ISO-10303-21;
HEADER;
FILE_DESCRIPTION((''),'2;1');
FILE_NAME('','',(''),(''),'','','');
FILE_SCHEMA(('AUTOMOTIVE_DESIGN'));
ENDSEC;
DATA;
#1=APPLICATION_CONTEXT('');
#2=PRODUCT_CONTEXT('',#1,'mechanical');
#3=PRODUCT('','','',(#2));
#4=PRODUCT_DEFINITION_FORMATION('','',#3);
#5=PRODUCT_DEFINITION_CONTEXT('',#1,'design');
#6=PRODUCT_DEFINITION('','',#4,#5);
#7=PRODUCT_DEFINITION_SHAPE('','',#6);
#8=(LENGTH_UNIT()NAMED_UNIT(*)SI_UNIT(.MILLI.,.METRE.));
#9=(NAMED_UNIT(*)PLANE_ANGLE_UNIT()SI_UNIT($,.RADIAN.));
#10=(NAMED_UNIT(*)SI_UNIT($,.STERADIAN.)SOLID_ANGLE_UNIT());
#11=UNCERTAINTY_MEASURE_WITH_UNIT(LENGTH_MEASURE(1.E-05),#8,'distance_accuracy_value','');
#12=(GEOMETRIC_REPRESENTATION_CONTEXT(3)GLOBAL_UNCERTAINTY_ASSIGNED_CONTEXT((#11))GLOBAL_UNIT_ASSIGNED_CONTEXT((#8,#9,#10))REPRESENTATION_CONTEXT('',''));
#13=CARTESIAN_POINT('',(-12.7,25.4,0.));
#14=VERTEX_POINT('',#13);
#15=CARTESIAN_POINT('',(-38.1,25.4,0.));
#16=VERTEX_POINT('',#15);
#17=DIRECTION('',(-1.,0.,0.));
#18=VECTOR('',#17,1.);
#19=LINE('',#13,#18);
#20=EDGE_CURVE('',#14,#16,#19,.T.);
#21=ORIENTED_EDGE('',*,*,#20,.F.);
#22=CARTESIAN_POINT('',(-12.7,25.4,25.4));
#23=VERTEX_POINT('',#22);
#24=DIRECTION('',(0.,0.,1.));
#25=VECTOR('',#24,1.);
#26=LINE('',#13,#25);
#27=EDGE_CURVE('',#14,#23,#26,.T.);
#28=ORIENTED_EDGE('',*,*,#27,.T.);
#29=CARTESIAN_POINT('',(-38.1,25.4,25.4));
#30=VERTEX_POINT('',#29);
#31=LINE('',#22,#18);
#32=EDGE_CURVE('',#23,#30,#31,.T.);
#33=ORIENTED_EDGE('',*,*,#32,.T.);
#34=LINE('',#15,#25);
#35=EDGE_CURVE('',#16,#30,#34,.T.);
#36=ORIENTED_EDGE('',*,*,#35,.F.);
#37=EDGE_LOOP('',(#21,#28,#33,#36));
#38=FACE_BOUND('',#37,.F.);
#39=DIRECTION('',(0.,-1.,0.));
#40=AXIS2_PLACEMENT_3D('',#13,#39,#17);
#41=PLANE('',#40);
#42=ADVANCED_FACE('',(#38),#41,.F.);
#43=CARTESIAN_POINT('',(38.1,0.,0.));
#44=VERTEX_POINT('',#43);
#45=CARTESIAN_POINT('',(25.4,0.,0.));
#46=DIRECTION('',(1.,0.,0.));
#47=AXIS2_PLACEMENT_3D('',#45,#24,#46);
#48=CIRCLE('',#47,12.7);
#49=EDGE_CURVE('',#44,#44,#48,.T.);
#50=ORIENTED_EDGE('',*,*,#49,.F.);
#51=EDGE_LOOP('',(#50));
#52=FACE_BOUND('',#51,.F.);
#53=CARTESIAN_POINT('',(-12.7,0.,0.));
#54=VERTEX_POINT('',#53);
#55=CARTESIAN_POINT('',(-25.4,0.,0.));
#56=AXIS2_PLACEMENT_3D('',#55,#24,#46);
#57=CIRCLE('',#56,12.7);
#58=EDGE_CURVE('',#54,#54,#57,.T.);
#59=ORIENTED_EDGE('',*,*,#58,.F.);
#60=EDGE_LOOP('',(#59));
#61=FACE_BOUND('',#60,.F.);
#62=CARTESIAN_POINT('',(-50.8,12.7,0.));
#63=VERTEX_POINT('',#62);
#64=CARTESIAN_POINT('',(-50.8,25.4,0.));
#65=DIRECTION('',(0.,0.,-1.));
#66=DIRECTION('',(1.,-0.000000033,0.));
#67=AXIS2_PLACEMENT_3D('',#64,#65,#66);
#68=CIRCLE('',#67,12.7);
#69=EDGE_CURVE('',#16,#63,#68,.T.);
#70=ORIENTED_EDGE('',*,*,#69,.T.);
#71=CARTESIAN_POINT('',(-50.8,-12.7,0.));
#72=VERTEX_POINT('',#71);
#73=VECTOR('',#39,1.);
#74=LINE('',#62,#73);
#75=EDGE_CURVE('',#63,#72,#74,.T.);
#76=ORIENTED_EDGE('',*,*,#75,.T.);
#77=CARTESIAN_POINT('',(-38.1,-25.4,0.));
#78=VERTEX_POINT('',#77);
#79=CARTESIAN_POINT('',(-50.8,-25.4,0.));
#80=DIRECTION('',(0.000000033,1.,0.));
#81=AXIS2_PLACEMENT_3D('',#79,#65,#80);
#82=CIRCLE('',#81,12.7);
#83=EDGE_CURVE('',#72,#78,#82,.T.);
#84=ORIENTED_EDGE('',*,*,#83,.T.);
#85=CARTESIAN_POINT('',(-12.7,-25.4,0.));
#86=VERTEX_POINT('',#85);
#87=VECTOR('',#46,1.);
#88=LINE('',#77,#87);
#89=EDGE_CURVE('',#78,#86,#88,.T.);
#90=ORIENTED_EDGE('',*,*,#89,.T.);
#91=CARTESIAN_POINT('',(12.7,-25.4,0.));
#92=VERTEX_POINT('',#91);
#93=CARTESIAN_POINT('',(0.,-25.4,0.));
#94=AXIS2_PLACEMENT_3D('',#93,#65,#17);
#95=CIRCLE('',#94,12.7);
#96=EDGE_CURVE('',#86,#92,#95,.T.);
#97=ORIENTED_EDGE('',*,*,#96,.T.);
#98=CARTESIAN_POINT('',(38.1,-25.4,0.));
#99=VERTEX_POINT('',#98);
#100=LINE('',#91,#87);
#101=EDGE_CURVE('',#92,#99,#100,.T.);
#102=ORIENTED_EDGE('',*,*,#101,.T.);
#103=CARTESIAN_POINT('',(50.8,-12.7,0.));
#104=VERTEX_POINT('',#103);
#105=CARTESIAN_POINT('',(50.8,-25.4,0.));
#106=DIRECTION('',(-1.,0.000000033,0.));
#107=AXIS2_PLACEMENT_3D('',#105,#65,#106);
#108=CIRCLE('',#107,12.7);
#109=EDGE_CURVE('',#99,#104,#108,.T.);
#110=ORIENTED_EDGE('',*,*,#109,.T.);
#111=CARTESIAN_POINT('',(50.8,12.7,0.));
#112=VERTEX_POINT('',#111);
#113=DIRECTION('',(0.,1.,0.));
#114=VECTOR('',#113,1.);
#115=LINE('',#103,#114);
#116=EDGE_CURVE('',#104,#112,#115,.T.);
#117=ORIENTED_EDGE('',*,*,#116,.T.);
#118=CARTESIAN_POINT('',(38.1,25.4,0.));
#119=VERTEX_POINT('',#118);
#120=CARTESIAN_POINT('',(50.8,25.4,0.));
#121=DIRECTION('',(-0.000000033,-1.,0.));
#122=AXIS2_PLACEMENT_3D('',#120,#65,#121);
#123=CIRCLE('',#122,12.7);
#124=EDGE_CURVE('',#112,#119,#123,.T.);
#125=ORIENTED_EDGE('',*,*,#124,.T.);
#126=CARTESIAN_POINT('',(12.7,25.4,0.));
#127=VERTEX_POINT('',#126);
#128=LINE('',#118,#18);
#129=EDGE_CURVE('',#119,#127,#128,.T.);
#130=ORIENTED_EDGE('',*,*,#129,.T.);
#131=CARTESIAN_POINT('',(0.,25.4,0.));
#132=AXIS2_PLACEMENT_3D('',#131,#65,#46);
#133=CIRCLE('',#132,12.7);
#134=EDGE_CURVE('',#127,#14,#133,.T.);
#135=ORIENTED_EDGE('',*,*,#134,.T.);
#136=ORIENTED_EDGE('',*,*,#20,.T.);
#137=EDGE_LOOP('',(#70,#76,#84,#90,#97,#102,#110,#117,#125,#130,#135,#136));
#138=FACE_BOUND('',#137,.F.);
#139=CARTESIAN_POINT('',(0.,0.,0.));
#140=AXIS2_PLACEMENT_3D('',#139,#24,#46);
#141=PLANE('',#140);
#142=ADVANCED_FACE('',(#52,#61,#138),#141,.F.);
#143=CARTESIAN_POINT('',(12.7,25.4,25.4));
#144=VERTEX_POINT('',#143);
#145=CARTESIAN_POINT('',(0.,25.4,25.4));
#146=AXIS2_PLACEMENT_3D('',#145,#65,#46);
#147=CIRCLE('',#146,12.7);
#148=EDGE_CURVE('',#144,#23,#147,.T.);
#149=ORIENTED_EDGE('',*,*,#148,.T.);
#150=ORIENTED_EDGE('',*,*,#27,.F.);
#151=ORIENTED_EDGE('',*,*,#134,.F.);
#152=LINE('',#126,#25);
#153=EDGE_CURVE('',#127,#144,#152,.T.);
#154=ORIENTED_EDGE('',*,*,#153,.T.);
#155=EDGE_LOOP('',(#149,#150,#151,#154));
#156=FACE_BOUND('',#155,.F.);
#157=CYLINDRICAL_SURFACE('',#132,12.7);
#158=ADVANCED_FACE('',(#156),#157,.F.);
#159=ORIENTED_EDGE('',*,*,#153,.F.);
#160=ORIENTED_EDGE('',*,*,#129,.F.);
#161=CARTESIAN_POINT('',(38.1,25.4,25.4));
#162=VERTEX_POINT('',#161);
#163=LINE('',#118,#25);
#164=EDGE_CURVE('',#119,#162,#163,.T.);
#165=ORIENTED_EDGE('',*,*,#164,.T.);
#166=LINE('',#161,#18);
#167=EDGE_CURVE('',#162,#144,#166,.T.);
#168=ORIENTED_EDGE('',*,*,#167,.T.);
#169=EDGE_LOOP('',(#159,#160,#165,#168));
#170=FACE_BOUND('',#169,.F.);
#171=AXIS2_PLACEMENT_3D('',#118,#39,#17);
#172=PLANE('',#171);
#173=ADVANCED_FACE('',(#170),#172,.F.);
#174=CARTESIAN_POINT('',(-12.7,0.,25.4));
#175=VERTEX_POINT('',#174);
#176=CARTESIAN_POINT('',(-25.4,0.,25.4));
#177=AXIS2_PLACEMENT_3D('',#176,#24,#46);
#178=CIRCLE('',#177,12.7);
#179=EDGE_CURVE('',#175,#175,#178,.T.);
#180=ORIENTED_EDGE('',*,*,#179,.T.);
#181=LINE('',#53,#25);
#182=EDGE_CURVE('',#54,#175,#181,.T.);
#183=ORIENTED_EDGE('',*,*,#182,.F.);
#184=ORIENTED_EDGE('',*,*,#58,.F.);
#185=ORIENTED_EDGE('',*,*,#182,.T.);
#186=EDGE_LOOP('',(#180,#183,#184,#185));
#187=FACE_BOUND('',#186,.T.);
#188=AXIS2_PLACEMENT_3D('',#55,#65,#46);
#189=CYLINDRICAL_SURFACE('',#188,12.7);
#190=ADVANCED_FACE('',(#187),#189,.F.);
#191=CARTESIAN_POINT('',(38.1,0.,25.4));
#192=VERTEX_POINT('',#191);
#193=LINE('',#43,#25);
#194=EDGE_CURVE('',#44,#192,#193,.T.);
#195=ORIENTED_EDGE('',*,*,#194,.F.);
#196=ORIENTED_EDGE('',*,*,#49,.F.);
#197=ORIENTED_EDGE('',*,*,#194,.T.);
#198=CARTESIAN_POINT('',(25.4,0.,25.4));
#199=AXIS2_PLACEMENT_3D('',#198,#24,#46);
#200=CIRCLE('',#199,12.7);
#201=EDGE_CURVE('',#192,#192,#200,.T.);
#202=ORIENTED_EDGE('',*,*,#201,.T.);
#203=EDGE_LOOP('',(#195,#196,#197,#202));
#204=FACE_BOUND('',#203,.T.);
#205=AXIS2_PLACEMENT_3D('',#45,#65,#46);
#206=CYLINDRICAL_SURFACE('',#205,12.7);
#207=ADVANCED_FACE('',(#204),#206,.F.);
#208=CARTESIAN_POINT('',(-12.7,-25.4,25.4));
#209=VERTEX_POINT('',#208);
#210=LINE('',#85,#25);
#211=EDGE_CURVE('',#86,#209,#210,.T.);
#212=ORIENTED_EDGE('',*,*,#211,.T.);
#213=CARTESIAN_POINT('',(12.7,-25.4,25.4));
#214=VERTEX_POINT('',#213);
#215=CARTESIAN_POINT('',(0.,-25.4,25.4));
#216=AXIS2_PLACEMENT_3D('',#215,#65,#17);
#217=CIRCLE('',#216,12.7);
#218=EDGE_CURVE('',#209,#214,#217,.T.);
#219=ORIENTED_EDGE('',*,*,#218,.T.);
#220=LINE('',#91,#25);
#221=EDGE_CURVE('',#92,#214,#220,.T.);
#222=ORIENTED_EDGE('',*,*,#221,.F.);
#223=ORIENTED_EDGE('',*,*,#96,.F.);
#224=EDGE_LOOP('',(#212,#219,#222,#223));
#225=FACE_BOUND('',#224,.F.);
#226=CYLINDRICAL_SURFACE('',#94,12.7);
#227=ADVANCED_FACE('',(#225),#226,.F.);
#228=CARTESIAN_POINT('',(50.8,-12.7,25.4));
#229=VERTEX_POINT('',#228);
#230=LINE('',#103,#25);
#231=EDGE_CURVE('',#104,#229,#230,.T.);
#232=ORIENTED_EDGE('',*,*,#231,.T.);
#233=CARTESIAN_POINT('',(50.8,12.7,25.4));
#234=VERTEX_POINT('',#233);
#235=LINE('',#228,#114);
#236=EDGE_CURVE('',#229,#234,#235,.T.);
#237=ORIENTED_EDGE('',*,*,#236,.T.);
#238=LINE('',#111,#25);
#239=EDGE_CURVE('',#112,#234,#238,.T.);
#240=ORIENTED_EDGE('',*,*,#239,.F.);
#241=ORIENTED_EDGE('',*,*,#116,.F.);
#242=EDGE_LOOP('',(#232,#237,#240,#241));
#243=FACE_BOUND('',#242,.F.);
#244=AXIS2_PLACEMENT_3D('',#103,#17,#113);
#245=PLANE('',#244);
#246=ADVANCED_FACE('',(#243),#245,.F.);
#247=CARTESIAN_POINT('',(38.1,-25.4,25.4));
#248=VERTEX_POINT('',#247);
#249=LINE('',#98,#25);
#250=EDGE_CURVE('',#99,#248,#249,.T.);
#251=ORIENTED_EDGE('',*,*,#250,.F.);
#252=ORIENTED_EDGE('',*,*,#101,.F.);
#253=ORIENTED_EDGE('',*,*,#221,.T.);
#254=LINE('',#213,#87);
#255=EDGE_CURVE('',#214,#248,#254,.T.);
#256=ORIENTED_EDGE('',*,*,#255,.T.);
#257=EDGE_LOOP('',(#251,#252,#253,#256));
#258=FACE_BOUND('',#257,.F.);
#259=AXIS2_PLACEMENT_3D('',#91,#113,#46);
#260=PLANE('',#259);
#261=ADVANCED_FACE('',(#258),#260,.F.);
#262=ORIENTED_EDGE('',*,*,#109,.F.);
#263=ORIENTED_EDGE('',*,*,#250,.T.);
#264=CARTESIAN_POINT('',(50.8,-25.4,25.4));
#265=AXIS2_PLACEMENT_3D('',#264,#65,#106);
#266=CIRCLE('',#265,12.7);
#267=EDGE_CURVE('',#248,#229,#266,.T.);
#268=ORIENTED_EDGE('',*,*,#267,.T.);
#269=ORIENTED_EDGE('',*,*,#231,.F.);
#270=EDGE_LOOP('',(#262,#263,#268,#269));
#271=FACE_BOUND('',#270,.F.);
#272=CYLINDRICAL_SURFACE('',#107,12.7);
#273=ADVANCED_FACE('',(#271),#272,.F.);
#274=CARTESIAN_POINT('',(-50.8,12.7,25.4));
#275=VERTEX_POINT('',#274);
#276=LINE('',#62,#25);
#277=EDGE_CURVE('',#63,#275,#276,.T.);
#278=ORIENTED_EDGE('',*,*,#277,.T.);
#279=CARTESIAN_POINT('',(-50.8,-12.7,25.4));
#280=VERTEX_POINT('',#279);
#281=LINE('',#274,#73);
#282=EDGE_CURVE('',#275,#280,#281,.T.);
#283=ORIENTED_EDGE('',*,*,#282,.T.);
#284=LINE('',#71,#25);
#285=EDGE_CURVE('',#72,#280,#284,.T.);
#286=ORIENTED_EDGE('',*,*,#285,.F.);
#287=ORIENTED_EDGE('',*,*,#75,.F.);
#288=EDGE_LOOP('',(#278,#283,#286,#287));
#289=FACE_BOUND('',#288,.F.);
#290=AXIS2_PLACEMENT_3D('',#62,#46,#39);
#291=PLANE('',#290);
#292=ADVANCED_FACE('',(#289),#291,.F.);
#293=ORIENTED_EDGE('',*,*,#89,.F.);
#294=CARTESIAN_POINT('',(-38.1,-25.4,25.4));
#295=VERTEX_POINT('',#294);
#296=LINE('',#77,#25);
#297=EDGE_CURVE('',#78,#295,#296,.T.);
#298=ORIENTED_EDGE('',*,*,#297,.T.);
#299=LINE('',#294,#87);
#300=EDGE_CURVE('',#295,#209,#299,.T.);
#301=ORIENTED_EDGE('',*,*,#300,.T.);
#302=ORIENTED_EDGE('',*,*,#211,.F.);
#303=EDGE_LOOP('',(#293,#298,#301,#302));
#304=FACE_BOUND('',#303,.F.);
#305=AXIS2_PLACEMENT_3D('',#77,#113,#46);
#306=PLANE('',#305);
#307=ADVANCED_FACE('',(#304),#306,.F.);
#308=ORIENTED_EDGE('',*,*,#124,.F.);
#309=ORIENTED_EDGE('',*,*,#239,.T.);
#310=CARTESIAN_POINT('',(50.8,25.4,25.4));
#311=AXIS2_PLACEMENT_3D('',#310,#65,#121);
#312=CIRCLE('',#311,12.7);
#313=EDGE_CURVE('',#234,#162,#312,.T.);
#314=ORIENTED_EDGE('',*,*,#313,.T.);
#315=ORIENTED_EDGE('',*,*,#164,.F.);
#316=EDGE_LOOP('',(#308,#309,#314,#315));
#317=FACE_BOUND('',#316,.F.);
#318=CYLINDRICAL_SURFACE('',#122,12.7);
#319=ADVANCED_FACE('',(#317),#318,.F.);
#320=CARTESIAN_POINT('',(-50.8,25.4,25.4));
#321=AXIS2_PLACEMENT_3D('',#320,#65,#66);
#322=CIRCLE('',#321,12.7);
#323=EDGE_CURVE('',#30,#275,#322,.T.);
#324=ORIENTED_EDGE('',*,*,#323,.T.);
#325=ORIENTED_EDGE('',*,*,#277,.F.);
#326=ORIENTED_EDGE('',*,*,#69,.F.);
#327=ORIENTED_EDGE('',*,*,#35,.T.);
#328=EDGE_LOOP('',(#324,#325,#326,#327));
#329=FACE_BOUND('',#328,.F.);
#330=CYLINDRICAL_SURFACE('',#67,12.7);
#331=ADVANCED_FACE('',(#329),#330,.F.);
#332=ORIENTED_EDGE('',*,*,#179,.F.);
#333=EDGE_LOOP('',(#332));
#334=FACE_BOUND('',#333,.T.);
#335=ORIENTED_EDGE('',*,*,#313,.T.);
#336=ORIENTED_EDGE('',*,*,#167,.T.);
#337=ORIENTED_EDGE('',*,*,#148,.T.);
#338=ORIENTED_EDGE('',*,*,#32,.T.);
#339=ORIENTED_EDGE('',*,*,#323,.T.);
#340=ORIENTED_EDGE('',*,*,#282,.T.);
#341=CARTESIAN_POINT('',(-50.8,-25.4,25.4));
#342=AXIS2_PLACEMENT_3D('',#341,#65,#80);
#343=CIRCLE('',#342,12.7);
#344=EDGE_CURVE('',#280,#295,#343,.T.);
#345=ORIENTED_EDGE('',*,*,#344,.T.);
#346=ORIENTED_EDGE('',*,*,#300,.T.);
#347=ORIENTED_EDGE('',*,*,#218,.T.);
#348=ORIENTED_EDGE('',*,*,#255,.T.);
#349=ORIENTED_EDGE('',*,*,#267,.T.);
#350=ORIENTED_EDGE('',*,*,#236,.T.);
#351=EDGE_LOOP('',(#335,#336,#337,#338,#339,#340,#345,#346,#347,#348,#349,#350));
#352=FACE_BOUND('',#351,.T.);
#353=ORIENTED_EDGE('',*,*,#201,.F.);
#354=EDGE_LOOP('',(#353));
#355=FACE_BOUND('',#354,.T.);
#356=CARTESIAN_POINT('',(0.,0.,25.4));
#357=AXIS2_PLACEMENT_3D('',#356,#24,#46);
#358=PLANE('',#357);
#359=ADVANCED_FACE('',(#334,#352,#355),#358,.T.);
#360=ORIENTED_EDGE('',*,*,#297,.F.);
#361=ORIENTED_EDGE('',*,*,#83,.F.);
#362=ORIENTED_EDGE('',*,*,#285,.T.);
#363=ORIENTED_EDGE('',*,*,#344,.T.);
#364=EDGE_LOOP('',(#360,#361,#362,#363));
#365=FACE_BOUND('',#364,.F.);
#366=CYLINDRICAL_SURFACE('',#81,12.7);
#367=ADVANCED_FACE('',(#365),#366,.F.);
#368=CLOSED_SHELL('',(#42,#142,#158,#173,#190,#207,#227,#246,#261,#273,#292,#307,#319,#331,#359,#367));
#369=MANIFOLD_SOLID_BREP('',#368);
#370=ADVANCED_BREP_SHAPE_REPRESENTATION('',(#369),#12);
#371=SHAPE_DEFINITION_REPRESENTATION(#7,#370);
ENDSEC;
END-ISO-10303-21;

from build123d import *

# Parameters (mm, degrees)
F0_R     = 12.7
F1_DEPTH = 25.4


with BuildPart() as f1:
    # F0 (on Top) → F1 (new body)
    with BuildSketch(Plane.XY):
        with BuildLine():
            Line((-50.8, 12.7), (-50.8, 0))
            Line((-50.8, 0), (-50.8, -12.7))
            ThreePointArc((-50.8, -12.7), (-41.819744, -16.419744), (-38.1, -25.4))
            Line((-38.1, -25.4), (-12.7, -25.4))
            ThreePointArc((-12.7, -25.4), (0, -12.7), (12.7, -25.4))
            Line((12.7, -25.4), (38.1, -25.4))
            ThreePointArc((38.1, -25.4), (41.819744, -16.419744), (50.8, -12.7))
            Line((50.8, -12.7), (50.8, 0))
            Line((50.8, 0), (50.8, 12.7))
            ThreePointArc((50.8, 12.7), (41.819744, 16.419744), (38.1, 25.4))
            Line((38.1, 25.4), (12.7, 25.4))
            ThreePointArc((12.7, 25.4), (0, 12.7), (-12.7, 25.4))
            Line((-12.7, 25.4), (-38.1, 25.4))
            ThreePointArc((-38.1, 25.4), (-41.819744, 16.419744), (-50.8, 12.7))
        make_face()
        with Locations((-25.4, 0)):
            Circle(F0_R, mode=Mode.SUBTRACT)
        with Locations((25.4, 0)):
            Circle(F0_R, mode=Mode.SUBTRACT)
    extrude(amount=F1_DEPTH)


solid = f1.part
